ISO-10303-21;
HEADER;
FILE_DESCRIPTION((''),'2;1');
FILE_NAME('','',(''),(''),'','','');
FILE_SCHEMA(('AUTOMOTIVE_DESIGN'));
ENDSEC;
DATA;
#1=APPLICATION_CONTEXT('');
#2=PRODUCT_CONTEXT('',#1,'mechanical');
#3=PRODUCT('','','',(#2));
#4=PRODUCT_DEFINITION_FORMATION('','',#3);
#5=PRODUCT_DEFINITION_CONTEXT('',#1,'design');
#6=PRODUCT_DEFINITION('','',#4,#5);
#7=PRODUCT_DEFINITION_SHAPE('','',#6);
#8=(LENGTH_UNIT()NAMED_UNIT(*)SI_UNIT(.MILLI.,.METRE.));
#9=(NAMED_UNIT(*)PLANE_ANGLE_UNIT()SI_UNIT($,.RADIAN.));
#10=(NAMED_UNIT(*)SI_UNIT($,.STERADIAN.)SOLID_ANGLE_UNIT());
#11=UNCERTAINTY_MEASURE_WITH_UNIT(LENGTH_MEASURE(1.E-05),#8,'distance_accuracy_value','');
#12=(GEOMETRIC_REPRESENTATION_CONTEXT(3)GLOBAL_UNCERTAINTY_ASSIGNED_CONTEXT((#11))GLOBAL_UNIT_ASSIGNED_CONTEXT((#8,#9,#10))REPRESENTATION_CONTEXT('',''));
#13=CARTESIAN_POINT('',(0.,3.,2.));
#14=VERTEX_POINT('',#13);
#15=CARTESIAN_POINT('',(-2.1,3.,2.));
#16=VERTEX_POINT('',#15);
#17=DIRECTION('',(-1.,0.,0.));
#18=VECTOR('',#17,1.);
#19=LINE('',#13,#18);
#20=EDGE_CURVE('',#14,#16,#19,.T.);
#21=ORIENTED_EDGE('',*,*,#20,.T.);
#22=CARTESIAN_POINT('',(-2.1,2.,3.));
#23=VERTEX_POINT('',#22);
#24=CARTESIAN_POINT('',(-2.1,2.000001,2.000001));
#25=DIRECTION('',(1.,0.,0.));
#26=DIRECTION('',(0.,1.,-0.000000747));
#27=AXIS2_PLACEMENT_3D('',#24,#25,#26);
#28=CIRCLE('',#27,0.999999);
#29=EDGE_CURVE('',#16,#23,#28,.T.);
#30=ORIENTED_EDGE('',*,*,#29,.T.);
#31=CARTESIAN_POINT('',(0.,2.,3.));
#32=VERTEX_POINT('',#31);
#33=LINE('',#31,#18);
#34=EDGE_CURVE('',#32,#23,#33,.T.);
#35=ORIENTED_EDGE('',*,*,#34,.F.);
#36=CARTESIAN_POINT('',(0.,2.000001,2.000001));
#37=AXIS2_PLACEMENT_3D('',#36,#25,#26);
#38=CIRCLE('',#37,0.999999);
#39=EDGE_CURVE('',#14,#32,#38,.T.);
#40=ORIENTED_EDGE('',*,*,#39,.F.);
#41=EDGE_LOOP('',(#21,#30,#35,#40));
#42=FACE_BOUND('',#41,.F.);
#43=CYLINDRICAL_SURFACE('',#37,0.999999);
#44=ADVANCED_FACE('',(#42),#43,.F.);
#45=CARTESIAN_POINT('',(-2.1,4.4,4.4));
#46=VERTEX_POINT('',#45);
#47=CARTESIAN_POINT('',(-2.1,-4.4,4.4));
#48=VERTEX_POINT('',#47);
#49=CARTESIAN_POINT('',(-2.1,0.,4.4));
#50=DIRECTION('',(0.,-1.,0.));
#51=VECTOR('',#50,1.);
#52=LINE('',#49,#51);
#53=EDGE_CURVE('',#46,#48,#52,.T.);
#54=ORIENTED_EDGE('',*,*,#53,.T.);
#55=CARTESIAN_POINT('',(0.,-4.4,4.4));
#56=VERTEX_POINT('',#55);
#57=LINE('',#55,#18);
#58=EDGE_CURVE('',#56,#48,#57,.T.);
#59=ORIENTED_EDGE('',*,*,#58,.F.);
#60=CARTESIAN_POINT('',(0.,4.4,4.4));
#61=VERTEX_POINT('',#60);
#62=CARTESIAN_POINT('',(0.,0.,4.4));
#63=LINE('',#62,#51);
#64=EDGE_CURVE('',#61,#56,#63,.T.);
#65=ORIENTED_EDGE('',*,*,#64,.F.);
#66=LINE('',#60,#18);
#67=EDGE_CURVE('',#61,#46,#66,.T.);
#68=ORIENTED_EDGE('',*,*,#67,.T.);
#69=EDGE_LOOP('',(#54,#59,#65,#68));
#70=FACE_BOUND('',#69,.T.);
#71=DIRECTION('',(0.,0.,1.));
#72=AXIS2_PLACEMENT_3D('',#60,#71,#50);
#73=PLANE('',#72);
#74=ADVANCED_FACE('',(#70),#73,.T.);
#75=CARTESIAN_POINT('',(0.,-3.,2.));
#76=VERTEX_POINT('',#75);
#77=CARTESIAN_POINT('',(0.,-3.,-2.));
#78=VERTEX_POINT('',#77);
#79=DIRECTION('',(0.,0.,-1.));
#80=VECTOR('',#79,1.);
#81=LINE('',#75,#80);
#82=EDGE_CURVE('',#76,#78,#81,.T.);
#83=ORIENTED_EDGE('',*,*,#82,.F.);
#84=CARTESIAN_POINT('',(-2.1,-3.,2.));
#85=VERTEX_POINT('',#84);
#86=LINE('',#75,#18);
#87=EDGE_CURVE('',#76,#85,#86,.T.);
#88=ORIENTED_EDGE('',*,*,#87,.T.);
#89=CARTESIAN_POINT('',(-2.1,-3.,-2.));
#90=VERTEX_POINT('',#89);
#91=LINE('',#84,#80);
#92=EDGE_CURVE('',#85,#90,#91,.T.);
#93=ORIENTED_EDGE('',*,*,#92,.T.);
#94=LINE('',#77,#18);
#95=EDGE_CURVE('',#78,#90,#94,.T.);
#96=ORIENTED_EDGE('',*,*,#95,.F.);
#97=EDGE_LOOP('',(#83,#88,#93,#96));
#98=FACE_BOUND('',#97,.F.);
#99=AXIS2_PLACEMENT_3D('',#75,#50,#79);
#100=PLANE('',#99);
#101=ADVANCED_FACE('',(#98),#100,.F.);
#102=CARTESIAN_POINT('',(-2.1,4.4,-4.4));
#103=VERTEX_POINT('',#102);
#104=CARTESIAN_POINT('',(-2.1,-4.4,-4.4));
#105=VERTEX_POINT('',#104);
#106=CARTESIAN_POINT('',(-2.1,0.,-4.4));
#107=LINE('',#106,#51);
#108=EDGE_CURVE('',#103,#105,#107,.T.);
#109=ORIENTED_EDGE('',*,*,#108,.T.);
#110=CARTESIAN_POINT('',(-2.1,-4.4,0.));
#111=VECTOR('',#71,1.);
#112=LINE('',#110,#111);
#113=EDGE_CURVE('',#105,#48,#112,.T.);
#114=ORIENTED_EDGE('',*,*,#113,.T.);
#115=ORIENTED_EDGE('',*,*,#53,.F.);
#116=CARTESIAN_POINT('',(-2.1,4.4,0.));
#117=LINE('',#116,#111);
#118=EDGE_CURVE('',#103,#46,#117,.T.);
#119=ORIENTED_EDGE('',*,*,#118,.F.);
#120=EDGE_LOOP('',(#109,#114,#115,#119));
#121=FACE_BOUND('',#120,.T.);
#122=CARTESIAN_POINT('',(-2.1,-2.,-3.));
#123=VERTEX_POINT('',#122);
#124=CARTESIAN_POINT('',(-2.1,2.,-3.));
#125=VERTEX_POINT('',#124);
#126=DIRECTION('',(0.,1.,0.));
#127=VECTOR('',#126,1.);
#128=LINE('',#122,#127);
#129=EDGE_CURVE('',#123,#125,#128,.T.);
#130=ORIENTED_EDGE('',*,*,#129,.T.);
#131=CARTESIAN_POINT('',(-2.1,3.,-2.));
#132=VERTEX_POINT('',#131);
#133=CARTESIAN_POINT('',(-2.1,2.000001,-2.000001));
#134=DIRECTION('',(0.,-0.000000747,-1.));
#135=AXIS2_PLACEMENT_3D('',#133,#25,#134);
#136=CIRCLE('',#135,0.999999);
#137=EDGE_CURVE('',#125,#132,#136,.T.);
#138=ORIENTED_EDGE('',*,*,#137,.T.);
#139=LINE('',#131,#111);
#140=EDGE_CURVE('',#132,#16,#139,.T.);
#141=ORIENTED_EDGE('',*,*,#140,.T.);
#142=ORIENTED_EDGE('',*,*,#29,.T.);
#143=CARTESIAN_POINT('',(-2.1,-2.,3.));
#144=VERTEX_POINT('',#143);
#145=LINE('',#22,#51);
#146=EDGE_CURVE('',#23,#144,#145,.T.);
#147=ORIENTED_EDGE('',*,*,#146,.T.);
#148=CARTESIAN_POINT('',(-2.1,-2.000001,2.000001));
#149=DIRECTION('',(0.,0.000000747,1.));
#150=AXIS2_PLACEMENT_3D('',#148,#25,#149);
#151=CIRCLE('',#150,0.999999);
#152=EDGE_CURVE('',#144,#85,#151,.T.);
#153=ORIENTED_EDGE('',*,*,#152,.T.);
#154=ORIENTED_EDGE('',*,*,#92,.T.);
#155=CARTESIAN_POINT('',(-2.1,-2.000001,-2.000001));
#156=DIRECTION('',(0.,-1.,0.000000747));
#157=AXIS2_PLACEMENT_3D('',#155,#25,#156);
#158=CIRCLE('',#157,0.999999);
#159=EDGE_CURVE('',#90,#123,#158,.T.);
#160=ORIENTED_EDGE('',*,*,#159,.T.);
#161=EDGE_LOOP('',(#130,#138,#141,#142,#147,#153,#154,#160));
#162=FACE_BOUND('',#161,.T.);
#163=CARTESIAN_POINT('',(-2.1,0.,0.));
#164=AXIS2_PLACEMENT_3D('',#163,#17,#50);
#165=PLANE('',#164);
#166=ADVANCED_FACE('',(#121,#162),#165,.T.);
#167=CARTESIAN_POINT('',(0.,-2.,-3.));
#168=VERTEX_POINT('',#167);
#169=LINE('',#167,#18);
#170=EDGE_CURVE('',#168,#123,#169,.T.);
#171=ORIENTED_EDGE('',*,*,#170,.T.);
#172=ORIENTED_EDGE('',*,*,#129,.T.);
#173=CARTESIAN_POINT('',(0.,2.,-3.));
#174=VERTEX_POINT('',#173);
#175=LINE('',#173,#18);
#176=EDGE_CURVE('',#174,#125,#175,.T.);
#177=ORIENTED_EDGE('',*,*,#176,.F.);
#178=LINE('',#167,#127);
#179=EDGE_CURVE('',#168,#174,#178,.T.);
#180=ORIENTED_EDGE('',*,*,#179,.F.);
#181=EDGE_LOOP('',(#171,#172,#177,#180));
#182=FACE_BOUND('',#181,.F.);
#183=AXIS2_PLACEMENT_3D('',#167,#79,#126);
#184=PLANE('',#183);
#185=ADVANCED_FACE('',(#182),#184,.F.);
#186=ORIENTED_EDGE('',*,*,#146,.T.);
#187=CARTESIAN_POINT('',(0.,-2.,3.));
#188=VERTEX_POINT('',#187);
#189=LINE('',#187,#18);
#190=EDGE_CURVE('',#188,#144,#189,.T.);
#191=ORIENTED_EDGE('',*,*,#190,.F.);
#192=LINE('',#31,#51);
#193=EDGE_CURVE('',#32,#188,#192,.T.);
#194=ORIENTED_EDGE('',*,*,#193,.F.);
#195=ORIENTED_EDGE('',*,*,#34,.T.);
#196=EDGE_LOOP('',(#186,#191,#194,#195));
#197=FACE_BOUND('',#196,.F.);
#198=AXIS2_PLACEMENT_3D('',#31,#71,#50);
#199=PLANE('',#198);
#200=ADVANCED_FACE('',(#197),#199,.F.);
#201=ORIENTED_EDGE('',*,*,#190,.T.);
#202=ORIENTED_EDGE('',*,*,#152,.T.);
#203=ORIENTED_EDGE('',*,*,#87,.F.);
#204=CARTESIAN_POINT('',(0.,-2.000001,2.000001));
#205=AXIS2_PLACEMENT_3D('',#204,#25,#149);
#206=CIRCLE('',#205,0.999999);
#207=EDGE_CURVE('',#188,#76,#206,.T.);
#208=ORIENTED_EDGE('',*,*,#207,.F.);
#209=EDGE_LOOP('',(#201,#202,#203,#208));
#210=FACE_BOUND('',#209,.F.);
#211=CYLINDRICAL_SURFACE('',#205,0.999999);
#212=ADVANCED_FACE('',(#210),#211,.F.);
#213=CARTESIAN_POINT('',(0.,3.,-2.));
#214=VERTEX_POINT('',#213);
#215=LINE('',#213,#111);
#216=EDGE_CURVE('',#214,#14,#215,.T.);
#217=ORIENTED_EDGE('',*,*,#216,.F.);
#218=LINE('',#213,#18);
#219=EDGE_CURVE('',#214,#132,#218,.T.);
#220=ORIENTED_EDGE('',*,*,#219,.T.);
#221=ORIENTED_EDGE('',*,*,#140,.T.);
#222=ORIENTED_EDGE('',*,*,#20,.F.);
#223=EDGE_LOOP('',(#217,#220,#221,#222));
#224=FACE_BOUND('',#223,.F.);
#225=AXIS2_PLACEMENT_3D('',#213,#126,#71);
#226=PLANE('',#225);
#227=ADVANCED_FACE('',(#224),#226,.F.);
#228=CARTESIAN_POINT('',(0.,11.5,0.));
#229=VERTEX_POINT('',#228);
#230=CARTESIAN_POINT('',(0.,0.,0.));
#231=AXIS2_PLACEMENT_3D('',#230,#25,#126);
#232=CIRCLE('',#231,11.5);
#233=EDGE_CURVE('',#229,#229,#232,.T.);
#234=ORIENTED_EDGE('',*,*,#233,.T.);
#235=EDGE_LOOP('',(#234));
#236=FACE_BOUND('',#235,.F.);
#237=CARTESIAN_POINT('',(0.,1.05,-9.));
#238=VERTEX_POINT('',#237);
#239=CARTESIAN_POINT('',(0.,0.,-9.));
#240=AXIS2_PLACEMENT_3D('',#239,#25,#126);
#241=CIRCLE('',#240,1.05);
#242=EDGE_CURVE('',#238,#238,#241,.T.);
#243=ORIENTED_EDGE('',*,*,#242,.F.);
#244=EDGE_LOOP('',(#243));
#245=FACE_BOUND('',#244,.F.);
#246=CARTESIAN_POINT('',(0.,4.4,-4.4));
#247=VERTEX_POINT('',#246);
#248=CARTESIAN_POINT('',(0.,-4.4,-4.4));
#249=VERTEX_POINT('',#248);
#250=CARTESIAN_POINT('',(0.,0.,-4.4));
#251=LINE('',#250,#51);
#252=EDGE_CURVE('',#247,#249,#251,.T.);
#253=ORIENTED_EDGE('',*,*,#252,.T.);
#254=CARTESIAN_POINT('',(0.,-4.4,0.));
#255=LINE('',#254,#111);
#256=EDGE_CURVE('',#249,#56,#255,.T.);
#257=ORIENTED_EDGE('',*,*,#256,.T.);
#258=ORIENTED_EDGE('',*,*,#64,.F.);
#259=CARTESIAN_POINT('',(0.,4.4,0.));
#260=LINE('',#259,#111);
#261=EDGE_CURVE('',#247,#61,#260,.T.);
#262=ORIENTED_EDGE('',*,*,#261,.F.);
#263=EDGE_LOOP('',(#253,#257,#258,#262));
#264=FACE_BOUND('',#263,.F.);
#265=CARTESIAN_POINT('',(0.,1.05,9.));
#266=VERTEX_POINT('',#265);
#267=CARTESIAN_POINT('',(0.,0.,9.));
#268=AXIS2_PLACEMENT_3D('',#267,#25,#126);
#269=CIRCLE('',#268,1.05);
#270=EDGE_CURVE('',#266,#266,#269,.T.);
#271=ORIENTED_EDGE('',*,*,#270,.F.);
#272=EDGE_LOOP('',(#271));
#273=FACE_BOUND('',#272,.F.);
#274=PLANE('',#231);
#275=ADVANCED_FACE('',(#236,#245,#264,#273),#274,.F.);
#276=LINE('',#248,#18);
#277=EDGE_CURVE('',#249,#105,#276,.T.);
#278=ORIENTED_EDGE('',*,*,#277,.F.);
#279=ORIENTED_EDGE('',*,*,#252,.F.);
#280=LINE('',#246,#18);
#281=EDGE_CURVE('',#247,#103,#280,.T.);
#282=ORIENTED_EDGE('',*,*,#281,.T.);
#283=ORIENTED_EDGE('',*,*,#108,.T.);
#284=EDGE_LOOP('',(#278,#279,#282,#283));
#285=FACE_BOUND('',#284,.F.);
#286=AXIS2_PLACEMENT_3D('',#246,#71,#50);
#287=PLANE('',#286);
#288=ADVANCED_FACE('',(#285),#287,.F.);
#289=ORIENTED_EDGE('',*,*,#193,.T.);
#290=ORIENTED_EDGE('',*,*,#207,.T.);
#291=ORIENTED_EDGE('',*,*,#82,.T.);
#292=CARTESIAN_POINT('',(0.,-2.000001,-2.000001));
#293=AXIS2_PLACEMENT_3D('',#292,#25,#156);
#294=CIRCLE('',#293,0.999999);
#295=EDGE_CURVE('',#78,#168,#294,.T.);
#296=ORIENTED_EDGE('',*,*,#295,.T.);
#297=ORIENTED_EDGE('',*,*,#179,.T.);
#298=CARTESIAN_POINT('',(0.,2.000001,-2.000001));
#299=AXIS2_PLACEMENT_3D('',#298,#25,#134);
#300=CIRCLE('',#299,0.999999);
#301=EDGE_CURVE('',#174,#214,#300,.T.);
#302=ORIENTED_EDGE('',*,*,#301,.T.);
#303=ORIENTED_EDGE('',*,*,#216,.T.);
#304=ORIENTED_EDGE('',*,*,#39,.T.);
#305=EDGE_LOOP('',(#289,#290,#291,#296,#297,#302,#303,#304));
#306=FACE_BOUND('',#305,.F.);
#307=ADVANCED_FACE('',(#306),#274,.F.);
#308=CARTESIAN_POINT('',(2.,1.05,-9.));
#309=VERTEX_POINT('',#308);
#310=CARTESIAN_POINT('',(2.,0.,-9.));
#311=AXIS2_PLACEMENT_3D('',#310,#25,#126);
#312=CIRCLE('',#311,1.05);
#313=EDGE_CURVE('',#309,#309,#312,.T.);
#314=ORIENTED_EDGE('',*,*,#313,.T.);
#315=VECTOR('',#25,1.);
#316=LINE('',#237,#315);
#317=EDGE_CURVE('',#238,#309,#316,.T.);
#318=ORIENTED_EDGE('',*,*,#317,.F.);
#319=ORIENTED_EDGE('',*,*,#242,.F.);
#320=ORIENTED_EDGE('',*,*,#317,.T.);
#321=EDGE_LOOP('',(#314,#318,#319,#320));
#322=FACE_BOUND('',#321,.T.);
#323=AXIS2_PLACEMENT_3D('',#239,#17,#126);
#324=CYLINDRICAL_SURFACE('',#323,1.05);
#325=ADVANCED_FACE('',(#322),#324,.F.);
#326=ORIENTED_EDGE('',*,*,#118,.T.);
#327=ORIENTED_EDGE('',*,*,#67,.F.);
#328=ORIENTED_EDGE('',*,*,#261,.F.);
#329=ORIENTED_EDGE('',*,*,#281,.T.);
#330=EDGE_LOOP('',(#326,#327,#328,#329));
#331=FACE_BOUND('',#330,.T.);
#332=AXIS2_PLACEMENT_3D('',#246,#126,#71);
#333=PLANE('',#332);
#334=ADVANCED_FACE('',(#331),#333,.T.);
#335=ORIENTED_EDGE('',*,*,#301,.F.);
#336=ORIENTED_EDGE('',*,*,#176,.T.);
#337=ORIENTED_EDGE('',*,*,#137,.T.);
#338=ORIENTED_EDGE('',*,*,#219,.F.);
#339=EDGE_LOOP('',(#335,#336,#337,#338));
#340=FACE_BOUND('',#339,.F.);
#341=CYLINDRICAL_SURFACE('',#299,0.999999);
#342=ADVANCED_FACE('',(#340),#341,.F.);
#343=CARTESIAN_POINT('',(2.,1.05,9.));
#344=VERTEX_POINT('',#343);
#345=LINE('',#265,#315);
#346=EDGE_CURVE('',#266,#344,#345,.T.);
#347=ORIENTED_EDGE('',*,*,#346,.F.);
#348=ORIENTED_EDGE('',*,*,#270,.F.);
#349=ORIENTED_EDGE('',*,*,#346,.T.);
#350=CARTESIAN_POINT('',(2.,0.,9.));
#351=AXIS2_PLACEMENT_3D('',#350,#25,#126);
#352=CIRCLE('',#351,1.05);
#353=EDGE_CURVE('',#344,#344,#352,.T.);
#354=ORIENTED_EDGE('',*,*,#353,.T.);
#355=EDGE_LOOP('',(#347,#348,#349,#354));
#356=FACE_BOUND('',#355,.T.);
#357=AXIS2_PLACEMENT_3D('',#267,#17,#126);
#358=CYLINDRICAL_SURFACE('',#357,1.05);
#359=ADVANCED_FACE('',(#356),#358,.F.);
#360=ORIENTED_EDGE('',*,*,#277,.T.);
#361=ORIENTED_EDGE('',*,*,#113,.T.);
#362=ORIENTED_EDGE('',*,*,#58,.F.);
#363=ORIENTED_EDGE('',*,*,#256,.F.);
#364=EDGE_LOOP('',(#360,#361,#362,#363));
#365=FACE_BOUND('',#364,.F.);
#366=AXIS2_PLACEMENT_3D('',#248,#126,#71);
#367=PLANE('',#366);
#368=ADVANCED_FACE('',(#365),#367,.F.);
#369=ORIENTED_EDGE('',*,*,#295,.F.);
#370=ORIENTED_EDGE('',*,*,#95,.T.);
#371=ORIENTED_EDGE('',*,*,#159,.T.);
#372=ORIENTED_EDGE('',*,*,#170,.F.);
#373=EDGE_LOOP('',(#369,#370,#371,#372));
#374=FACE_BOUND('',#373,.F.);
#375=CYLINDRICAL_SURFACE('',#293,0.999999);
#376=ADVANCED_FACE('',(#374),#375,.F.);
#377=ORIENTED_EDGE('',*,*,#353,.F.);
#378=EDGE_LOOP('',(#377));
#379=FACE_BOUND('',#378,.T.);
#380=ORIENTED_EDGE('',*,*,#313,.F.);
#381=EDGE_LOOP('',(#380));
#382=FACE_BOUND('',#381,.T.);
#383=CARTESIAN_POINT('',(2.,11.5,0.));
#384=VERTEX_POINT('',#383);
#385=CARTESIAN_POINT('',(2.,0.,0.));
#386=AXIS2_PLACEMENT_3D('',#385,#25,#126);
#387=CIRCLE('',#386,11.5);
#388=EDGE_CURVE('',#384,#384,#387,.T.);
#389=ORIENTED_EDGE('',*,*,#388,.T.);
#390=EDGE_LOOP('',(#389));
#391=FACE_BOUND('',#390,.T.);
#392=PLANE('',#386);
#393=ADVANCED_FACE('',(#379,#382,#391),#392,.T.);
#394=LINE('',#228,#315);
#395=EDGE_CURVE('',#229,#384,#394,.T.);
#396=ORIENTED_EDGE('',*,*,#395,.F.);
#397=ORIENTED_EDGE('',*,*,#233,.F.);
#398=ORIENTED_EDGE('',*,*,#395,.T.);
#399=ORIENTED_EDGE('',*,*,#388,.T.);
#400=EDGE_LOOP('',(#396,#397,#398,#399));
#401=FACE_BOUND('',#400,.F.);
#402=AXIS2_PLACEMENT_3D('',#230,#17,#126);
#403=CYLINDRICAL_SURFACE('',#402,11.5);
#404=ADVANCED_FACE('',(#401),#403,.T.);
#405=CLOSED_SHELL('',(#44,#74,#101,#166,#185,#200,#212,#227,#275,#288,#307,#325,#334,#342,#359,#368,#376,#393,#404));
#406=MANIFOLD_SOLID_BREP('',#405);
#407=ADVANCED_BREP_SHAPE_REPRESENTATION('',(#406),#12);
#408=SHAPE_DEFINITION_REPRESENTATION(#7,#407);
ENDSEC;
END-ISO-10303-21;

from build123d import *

# Parameters (mm, degrees)
F0_R     = 11.5
F0_R_2   = 1.05
F1_DEPTH = 2
F2_W     = 8.8
F2_H     = 8.8
F3_DEPTH = 2.1


with BuildPart() as f1:
    # F0 (on Right) → F1 (new body)
    with BuildSketch(Plane.YZ):
        Circle(F0_R)
        with Locations((0, -9)):
            Circle(F0_R_2, mode=Mode.SUBTRACT)
        with Locations((0, 9)):
            Circle(F0_R_2, mode=Mode.SUBTRACT)
    extrude(amount=F1_DEPTH)

    # F2 (on face) → F3 (join)
    with BuildSketch(Plane(origin=(0, 0, 0), x_dir=(0, -1, 0), z_dir=(-1, 0, 0))):
        Rectangle(F2_W, F2_H)
        with BuildLine():
            ThreePointArc((-3, 2), (-2.707107, 2.707107), (-2, 3))
            Line((-2, 3), (2, 3))
            ThreePointArc((2, 3), (2.707107, 2.707107), (3, 2))
            Line((3, 2), (3, -2))
            ThreePointArc((3, -2), (2.707107, -2.707107), (2, -3))
            Line((2, -3), (-2, -3))
            ThreePointArc((-2, -3), (-2.707107, -2.707107), (-3, -2))
            Line((-3, -2), (-3, 2))
        make_face(mode=Mode.SUBTRACT)
    extrude(amount=F3_DEPTH)


solid = f1.part
